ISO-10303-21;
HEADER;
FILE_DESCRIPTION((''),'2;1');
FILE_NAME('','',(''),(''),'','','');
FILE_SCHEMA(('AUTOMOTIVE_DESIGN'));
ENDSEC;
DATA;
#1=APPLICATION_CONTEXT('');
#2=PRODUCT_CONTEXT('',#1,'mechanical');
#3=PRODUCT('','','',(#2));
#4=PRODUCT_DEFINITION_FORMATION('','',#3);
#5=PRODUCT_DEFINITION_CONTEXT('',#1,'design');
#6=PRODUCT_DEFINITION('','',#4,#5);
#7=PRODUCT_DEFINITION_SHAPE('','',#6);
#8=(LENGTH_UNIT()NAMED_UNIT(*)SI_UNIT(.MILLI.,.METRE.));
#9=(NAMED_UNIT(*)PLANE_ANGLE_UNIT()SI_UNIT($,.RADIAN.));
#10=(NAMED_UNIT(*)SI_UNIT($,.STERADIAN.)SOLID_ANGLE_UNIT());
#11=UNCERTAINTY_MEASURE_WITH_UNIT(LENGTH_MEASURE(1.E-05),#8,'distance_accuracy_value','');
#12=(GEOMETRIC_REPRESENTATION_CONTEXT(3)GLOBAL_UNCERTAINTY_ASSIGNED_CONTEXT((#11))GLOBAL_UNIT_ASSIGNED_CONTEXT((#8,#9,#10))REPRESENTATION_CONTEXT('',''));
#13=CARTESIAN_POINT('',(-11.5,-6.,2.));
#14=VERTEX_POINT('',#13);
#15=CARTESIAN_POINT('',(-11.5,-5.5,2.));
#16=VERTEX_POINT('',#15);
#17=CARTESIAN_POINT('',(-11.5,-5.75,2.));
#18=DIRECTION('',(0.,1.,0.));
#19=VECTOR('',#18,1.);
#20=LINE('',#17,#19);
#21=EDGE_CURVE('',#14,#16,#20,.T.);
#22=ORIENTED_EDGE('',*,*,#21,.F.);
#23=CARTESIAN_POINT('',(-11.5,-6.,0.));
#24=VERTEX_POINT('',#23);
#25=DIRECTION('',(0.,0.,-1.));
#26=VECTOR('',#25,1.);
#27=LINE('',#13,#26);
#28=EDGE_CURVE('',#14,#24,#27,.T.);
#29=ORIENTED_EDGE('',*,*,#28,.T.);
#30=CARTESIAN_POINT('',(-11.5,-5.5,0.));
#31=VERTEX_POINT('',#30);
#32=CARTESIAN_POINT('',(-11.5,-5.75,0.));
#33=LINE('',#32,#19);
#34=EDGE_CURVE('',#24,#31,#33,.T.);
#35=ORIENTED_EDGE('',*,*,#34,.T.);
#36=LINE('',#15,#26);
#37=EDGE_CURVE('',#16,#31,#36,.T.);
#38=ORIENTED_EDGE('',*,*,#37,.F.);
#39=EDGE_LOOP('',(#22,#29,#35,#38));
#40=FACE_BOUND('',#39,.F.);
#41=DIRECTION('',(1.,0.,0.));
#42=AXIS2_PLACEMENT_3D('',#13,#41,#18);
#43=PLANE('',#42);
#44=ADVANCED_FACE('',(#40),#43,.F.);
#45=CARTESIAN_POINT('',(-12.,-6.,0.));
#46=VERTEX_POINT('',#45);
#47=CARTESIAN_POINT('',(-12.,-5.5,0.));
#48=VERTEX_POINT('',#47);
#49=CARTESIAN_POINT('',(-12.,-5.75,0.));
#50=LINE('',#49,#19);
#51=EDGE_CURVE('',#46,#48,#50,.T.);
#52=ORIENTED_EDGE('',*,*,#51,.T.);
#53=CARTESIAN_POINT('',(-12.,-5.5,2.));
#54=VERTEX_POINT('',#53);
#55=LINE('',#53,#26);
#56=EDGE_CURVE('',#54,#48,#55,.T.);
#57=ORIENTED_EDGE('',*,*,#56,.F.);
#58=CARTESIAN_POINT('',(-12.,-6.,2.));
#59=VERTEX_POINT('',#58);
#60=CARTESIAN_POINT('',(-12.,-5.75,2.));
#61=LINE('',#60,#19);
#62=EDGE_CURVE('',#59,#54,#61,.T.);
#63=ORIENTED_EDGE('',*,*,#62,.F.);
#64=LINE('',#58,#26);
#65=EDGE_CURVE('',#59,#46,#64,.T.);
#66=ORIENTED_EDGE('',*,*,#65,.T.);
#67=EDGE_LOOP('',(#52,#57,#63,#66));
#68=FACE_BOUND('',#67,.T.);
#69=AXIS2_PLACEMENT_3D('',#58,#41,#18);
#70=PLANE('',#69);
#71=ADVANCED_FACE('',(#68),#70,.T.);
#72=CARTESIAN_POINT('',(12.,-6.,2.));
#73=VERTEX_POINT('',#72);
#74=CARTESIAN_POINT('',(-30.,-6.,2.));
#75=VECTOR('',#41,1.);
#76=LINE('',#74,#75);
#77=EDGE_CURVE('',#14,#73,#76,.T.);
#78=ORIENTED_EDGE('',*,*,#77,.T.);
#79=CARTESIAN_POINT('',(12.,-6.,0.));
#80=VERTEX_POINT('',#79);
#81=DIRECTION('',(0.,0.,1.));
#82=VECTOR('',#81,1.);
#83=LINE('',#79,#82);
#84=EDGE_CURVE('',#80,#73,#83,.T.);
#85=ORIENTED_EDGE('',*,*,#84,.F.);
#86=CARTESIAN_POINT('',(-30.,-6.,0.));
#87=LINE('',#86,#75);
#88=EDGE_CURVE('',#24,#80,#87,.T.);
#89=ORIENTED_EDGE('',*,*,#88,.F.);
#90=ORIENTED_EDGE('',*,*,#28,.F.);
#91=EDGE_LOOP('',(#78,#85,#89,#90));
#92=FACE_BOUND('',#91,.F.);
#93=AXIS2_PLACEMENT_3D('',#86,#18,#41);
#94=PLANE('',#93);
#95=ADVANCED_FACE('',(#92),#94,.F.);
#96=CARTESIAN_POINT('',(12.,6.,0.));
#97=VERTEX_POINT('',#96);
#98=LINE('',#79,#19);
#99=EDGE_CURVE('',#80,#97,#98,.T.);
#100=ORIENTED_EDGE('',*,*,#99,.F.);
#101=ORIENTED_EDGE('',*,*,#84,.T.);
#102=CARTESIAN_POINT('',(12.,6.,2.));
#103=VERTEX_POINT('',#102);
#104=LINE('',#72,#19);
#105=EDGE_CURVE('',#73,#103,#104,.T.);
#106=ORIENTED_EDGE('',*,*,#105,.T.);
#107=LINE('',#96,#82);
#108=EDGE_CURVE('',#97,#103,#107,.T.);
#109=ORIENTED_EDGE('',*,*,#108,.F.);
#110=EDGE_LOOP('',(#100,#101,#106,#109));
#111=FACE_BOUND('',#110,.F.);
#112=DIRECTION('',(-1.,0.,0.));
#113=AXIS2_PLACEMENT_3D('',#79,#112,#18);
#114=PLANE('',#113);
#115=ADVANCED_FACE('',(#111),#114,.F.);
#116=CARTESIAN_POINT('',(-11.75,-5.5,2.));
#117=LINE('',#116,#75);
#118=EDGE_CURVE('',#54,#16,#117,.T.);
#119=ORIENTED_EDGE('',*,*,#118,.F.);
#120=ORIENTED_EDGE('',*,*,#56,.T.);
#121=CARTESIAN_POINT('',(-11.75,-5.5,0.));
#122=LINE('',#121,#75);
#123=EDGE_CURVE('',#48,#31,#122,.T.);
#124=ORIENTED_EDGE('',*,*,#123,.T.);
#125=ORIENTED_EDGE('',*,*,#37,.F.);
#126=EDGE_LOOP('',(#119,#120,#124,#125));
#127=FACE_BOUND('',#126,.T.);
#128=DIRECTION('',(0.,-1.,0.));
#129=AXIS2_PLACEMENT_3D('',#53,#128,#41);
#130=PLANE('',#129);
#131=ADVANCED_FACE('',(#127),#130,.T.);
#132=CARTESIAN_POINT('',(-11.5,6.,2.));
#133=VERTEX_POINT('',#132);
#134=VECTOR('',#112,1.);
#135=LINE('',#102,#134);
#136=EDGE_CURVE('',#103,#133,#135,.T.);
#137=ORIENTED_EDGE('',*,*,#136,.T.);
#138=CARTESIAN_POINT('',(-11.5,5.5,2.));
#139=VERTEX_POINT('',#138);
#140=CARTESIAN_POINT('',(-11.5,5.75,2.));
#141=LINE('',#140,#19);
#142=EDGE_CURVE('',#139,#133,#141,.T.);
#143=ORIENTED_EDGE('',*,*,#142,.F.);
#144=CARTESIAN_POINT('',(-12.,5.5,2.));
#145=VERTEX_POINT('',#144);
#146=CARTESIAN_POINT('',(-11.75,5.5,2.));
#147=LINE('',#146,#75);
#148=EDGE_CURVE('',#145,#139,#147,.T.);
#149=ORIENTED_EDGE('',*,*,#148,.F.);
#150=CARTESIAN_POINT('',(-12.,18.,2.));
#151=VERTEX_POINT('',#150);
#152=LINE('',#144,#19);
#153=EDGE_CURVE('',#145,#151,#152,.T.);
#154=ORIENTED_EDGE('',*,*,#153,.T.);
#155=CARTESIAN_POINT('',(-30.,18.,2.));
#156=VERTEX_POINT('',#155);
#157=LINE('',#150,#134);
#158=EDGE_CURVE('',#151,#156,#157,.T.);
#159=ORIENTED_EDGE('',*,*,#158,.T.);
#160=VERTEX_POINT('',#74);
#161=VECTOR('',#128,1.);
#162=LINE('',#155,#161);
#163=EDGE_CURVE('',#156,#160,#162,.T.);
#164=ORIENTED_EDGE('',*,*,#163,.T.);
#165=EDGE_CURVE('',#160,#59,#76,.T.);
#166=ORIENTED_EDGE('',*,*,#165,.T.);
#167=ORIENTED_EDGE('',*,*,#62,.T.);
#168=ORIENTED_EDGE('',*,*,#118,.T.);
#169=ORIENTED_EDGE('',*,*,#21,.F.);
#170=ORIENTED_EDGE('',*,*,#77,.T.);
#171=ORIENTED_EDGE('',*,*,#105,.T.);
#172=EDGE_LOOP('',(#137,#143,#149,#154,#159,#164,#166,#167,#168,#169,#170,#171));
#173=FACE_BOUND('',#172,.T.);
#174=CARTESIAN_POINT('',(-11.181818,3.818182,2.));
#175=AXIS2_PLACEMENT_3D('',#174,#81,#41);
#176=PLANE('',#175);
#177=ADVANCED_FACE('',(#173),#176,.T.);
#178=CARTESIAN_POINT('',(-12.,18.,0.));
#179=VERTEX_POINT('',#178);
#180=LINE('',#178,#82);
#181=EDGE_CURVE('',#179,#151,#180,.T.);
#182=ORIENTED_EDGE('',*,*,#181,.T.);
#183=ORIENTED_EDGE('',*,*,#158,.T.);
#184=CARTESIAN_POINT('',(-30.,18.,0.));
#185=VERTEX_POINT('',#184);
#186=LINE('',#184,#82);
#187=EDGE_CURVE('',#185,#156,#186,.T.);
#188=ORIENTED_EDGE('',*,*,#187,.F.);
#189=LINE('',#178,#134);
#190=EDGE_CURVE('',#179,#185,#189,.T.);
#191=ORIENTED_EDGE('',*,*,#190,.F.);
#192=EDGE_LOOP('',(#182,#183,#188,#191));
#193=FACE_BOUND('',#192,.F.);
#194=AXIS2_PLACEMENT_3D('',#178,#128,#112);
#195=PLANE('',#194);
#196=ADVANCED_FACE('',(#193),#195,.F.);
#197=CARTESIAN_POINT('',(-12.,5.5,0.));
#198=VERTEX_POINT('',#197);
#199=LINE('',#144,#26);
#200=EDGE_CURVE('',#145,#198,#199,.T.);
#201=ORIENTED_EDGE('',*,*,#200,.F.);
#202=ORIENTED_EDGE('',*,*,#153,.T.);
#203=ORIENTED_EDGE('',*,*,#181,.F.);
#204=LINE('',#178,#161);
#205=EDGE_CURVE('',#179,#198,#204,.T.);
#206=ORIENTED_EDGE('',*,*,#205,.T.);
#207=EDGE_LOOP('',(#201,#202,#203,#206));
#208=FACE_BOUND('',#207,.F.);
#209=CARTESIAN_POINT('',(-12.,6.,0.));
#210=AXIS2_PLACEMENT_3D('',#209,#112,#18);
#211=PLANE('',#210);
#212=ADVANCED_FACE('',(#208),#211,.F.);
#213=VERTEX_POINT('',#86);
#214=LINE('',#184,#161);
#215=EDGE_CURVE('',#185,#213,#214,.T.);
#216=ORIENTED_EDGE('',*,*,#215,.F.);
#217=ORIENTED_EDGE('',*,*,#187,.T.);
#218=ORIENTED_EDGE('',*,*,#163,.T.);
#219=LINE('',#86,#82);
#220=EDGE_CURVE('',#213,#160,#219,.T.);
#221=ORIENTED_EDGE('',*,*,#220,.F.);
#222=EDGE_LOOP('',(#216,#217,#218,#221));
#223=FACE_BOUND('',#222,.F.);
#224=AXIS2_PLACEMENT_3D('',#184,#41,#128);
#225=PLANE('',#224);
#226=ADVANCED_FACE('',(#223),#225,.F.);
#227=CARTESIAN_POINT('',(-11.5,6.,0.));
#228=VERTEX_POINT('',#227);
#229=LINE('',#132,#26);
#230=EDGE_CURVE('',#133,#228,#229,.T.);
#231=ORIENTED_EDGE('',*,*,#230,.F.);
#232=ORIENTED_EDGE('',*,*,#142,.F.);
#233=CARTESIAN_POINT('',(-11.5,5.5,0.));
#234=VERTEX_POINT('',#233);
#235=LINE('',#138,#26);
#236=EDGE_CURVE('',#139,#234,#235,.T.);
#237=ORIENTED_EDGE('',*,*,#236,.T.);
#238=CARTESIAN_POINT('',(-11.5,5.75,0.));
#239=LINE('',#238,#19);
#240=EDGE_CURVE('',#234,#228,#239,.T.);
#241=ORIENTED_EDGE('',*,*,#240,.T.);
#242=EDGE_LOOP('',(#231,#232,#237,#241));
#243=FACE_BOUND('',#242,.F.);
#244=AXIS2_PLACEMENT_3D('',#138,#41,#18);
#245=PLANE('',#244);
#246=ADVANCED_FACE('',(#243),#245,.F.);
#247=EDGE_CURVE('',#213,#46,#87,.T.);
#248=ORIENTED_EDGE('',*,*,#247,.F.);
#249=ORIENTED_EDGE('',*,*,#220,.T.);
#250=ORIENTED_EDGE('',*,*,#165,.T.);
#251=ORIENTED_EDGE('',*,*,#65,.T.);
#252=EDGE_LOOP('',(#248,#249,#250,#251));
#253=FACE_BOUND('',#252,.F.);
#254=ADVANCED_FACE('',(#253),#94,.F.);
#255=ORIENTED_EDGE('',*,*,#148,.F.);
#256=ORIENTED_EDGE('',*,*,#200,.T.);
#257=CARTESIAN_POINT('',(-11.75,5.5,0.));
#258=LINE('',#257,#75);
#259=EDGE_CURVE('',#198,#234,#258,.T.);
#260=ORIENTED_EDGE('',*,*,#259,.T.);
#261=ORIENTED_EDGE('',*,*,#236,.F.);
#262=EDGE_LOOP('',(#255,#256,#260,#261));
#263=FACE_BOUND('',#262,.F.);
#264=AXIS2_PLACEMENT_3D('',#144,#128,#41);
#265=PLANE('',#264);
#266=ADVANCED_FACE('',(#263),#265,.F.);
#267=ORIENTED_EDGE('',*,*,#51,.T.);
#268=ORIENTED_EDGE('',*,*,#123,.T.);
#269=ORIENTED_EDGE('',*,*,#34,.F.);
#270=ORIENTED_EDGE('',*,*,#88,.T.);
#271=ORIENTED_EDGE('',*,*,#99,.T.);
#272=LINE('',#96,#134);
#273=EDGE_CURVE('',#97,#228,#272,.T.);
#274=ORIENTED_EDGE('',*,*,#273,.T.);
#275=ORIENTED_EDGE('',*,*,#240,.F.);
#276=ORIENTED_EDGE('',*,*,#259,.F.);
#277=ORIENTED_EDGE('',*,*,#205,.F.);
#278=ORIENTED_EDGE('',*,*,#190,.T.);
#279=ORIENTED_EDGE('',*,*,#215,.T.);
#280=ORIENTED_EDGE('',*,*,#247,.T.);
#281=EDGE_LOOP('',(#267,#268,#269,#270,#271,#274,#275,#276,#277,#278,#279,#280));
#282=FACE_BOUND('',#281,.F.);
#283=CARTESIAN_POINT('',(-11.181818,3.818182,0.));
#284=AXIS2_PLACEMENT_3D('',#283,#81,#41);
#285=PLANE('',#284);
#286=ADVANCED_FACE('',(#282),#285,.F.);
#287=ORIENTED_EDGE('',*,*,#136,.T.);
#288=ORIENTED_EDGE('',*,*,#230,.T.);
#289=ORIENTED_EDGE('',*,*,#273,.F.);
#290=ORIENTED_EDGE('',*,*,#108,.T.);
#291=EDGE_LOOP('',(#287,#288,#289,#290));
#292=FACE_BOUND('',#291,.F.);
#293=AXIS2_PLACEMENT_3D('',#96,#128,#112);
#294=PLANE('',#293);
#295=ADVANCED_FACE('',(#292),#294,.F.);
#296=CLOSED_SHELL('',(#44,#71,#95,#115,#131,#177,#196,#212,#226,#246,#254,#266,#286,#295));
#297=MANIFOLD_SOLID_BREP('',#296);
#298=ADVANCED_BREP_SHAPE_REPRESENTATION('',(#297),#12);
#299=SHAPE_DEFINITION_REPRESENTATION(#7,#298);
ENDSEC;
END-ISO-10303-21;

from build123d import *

# Parameters (mm, degrees)
F2_DEPTH = 2
F3_W     = 0.5
F3_H     = 0.5
F4_DEPTH = 2


with BuildPart() as f2:
    # F0 (on Top) → F2 (new body)
    with BuildSketch(Plane.XY):
        Polygon((-12, -6), (12, -6), (12, 6), (-12, 6), (-12, 18), (-30, 18), (-30, -6), align=None)
    extrude(amount=F2_DEPTH)

    # F3 (on face) → F4 (cut, through all)
    with BuildSketch(Plane.XY.offset(2)):
        with Locations((-11.75, -5.75)):
            Rectangle(F3_W, F3_H)
        with Locations((-11.75, 5.75)):
            Rectangle(F3_W, F3_H)
    extrude(amount=-F4_DEPTH, mode=Mode.SUBTRACT)


solid = f2.part
